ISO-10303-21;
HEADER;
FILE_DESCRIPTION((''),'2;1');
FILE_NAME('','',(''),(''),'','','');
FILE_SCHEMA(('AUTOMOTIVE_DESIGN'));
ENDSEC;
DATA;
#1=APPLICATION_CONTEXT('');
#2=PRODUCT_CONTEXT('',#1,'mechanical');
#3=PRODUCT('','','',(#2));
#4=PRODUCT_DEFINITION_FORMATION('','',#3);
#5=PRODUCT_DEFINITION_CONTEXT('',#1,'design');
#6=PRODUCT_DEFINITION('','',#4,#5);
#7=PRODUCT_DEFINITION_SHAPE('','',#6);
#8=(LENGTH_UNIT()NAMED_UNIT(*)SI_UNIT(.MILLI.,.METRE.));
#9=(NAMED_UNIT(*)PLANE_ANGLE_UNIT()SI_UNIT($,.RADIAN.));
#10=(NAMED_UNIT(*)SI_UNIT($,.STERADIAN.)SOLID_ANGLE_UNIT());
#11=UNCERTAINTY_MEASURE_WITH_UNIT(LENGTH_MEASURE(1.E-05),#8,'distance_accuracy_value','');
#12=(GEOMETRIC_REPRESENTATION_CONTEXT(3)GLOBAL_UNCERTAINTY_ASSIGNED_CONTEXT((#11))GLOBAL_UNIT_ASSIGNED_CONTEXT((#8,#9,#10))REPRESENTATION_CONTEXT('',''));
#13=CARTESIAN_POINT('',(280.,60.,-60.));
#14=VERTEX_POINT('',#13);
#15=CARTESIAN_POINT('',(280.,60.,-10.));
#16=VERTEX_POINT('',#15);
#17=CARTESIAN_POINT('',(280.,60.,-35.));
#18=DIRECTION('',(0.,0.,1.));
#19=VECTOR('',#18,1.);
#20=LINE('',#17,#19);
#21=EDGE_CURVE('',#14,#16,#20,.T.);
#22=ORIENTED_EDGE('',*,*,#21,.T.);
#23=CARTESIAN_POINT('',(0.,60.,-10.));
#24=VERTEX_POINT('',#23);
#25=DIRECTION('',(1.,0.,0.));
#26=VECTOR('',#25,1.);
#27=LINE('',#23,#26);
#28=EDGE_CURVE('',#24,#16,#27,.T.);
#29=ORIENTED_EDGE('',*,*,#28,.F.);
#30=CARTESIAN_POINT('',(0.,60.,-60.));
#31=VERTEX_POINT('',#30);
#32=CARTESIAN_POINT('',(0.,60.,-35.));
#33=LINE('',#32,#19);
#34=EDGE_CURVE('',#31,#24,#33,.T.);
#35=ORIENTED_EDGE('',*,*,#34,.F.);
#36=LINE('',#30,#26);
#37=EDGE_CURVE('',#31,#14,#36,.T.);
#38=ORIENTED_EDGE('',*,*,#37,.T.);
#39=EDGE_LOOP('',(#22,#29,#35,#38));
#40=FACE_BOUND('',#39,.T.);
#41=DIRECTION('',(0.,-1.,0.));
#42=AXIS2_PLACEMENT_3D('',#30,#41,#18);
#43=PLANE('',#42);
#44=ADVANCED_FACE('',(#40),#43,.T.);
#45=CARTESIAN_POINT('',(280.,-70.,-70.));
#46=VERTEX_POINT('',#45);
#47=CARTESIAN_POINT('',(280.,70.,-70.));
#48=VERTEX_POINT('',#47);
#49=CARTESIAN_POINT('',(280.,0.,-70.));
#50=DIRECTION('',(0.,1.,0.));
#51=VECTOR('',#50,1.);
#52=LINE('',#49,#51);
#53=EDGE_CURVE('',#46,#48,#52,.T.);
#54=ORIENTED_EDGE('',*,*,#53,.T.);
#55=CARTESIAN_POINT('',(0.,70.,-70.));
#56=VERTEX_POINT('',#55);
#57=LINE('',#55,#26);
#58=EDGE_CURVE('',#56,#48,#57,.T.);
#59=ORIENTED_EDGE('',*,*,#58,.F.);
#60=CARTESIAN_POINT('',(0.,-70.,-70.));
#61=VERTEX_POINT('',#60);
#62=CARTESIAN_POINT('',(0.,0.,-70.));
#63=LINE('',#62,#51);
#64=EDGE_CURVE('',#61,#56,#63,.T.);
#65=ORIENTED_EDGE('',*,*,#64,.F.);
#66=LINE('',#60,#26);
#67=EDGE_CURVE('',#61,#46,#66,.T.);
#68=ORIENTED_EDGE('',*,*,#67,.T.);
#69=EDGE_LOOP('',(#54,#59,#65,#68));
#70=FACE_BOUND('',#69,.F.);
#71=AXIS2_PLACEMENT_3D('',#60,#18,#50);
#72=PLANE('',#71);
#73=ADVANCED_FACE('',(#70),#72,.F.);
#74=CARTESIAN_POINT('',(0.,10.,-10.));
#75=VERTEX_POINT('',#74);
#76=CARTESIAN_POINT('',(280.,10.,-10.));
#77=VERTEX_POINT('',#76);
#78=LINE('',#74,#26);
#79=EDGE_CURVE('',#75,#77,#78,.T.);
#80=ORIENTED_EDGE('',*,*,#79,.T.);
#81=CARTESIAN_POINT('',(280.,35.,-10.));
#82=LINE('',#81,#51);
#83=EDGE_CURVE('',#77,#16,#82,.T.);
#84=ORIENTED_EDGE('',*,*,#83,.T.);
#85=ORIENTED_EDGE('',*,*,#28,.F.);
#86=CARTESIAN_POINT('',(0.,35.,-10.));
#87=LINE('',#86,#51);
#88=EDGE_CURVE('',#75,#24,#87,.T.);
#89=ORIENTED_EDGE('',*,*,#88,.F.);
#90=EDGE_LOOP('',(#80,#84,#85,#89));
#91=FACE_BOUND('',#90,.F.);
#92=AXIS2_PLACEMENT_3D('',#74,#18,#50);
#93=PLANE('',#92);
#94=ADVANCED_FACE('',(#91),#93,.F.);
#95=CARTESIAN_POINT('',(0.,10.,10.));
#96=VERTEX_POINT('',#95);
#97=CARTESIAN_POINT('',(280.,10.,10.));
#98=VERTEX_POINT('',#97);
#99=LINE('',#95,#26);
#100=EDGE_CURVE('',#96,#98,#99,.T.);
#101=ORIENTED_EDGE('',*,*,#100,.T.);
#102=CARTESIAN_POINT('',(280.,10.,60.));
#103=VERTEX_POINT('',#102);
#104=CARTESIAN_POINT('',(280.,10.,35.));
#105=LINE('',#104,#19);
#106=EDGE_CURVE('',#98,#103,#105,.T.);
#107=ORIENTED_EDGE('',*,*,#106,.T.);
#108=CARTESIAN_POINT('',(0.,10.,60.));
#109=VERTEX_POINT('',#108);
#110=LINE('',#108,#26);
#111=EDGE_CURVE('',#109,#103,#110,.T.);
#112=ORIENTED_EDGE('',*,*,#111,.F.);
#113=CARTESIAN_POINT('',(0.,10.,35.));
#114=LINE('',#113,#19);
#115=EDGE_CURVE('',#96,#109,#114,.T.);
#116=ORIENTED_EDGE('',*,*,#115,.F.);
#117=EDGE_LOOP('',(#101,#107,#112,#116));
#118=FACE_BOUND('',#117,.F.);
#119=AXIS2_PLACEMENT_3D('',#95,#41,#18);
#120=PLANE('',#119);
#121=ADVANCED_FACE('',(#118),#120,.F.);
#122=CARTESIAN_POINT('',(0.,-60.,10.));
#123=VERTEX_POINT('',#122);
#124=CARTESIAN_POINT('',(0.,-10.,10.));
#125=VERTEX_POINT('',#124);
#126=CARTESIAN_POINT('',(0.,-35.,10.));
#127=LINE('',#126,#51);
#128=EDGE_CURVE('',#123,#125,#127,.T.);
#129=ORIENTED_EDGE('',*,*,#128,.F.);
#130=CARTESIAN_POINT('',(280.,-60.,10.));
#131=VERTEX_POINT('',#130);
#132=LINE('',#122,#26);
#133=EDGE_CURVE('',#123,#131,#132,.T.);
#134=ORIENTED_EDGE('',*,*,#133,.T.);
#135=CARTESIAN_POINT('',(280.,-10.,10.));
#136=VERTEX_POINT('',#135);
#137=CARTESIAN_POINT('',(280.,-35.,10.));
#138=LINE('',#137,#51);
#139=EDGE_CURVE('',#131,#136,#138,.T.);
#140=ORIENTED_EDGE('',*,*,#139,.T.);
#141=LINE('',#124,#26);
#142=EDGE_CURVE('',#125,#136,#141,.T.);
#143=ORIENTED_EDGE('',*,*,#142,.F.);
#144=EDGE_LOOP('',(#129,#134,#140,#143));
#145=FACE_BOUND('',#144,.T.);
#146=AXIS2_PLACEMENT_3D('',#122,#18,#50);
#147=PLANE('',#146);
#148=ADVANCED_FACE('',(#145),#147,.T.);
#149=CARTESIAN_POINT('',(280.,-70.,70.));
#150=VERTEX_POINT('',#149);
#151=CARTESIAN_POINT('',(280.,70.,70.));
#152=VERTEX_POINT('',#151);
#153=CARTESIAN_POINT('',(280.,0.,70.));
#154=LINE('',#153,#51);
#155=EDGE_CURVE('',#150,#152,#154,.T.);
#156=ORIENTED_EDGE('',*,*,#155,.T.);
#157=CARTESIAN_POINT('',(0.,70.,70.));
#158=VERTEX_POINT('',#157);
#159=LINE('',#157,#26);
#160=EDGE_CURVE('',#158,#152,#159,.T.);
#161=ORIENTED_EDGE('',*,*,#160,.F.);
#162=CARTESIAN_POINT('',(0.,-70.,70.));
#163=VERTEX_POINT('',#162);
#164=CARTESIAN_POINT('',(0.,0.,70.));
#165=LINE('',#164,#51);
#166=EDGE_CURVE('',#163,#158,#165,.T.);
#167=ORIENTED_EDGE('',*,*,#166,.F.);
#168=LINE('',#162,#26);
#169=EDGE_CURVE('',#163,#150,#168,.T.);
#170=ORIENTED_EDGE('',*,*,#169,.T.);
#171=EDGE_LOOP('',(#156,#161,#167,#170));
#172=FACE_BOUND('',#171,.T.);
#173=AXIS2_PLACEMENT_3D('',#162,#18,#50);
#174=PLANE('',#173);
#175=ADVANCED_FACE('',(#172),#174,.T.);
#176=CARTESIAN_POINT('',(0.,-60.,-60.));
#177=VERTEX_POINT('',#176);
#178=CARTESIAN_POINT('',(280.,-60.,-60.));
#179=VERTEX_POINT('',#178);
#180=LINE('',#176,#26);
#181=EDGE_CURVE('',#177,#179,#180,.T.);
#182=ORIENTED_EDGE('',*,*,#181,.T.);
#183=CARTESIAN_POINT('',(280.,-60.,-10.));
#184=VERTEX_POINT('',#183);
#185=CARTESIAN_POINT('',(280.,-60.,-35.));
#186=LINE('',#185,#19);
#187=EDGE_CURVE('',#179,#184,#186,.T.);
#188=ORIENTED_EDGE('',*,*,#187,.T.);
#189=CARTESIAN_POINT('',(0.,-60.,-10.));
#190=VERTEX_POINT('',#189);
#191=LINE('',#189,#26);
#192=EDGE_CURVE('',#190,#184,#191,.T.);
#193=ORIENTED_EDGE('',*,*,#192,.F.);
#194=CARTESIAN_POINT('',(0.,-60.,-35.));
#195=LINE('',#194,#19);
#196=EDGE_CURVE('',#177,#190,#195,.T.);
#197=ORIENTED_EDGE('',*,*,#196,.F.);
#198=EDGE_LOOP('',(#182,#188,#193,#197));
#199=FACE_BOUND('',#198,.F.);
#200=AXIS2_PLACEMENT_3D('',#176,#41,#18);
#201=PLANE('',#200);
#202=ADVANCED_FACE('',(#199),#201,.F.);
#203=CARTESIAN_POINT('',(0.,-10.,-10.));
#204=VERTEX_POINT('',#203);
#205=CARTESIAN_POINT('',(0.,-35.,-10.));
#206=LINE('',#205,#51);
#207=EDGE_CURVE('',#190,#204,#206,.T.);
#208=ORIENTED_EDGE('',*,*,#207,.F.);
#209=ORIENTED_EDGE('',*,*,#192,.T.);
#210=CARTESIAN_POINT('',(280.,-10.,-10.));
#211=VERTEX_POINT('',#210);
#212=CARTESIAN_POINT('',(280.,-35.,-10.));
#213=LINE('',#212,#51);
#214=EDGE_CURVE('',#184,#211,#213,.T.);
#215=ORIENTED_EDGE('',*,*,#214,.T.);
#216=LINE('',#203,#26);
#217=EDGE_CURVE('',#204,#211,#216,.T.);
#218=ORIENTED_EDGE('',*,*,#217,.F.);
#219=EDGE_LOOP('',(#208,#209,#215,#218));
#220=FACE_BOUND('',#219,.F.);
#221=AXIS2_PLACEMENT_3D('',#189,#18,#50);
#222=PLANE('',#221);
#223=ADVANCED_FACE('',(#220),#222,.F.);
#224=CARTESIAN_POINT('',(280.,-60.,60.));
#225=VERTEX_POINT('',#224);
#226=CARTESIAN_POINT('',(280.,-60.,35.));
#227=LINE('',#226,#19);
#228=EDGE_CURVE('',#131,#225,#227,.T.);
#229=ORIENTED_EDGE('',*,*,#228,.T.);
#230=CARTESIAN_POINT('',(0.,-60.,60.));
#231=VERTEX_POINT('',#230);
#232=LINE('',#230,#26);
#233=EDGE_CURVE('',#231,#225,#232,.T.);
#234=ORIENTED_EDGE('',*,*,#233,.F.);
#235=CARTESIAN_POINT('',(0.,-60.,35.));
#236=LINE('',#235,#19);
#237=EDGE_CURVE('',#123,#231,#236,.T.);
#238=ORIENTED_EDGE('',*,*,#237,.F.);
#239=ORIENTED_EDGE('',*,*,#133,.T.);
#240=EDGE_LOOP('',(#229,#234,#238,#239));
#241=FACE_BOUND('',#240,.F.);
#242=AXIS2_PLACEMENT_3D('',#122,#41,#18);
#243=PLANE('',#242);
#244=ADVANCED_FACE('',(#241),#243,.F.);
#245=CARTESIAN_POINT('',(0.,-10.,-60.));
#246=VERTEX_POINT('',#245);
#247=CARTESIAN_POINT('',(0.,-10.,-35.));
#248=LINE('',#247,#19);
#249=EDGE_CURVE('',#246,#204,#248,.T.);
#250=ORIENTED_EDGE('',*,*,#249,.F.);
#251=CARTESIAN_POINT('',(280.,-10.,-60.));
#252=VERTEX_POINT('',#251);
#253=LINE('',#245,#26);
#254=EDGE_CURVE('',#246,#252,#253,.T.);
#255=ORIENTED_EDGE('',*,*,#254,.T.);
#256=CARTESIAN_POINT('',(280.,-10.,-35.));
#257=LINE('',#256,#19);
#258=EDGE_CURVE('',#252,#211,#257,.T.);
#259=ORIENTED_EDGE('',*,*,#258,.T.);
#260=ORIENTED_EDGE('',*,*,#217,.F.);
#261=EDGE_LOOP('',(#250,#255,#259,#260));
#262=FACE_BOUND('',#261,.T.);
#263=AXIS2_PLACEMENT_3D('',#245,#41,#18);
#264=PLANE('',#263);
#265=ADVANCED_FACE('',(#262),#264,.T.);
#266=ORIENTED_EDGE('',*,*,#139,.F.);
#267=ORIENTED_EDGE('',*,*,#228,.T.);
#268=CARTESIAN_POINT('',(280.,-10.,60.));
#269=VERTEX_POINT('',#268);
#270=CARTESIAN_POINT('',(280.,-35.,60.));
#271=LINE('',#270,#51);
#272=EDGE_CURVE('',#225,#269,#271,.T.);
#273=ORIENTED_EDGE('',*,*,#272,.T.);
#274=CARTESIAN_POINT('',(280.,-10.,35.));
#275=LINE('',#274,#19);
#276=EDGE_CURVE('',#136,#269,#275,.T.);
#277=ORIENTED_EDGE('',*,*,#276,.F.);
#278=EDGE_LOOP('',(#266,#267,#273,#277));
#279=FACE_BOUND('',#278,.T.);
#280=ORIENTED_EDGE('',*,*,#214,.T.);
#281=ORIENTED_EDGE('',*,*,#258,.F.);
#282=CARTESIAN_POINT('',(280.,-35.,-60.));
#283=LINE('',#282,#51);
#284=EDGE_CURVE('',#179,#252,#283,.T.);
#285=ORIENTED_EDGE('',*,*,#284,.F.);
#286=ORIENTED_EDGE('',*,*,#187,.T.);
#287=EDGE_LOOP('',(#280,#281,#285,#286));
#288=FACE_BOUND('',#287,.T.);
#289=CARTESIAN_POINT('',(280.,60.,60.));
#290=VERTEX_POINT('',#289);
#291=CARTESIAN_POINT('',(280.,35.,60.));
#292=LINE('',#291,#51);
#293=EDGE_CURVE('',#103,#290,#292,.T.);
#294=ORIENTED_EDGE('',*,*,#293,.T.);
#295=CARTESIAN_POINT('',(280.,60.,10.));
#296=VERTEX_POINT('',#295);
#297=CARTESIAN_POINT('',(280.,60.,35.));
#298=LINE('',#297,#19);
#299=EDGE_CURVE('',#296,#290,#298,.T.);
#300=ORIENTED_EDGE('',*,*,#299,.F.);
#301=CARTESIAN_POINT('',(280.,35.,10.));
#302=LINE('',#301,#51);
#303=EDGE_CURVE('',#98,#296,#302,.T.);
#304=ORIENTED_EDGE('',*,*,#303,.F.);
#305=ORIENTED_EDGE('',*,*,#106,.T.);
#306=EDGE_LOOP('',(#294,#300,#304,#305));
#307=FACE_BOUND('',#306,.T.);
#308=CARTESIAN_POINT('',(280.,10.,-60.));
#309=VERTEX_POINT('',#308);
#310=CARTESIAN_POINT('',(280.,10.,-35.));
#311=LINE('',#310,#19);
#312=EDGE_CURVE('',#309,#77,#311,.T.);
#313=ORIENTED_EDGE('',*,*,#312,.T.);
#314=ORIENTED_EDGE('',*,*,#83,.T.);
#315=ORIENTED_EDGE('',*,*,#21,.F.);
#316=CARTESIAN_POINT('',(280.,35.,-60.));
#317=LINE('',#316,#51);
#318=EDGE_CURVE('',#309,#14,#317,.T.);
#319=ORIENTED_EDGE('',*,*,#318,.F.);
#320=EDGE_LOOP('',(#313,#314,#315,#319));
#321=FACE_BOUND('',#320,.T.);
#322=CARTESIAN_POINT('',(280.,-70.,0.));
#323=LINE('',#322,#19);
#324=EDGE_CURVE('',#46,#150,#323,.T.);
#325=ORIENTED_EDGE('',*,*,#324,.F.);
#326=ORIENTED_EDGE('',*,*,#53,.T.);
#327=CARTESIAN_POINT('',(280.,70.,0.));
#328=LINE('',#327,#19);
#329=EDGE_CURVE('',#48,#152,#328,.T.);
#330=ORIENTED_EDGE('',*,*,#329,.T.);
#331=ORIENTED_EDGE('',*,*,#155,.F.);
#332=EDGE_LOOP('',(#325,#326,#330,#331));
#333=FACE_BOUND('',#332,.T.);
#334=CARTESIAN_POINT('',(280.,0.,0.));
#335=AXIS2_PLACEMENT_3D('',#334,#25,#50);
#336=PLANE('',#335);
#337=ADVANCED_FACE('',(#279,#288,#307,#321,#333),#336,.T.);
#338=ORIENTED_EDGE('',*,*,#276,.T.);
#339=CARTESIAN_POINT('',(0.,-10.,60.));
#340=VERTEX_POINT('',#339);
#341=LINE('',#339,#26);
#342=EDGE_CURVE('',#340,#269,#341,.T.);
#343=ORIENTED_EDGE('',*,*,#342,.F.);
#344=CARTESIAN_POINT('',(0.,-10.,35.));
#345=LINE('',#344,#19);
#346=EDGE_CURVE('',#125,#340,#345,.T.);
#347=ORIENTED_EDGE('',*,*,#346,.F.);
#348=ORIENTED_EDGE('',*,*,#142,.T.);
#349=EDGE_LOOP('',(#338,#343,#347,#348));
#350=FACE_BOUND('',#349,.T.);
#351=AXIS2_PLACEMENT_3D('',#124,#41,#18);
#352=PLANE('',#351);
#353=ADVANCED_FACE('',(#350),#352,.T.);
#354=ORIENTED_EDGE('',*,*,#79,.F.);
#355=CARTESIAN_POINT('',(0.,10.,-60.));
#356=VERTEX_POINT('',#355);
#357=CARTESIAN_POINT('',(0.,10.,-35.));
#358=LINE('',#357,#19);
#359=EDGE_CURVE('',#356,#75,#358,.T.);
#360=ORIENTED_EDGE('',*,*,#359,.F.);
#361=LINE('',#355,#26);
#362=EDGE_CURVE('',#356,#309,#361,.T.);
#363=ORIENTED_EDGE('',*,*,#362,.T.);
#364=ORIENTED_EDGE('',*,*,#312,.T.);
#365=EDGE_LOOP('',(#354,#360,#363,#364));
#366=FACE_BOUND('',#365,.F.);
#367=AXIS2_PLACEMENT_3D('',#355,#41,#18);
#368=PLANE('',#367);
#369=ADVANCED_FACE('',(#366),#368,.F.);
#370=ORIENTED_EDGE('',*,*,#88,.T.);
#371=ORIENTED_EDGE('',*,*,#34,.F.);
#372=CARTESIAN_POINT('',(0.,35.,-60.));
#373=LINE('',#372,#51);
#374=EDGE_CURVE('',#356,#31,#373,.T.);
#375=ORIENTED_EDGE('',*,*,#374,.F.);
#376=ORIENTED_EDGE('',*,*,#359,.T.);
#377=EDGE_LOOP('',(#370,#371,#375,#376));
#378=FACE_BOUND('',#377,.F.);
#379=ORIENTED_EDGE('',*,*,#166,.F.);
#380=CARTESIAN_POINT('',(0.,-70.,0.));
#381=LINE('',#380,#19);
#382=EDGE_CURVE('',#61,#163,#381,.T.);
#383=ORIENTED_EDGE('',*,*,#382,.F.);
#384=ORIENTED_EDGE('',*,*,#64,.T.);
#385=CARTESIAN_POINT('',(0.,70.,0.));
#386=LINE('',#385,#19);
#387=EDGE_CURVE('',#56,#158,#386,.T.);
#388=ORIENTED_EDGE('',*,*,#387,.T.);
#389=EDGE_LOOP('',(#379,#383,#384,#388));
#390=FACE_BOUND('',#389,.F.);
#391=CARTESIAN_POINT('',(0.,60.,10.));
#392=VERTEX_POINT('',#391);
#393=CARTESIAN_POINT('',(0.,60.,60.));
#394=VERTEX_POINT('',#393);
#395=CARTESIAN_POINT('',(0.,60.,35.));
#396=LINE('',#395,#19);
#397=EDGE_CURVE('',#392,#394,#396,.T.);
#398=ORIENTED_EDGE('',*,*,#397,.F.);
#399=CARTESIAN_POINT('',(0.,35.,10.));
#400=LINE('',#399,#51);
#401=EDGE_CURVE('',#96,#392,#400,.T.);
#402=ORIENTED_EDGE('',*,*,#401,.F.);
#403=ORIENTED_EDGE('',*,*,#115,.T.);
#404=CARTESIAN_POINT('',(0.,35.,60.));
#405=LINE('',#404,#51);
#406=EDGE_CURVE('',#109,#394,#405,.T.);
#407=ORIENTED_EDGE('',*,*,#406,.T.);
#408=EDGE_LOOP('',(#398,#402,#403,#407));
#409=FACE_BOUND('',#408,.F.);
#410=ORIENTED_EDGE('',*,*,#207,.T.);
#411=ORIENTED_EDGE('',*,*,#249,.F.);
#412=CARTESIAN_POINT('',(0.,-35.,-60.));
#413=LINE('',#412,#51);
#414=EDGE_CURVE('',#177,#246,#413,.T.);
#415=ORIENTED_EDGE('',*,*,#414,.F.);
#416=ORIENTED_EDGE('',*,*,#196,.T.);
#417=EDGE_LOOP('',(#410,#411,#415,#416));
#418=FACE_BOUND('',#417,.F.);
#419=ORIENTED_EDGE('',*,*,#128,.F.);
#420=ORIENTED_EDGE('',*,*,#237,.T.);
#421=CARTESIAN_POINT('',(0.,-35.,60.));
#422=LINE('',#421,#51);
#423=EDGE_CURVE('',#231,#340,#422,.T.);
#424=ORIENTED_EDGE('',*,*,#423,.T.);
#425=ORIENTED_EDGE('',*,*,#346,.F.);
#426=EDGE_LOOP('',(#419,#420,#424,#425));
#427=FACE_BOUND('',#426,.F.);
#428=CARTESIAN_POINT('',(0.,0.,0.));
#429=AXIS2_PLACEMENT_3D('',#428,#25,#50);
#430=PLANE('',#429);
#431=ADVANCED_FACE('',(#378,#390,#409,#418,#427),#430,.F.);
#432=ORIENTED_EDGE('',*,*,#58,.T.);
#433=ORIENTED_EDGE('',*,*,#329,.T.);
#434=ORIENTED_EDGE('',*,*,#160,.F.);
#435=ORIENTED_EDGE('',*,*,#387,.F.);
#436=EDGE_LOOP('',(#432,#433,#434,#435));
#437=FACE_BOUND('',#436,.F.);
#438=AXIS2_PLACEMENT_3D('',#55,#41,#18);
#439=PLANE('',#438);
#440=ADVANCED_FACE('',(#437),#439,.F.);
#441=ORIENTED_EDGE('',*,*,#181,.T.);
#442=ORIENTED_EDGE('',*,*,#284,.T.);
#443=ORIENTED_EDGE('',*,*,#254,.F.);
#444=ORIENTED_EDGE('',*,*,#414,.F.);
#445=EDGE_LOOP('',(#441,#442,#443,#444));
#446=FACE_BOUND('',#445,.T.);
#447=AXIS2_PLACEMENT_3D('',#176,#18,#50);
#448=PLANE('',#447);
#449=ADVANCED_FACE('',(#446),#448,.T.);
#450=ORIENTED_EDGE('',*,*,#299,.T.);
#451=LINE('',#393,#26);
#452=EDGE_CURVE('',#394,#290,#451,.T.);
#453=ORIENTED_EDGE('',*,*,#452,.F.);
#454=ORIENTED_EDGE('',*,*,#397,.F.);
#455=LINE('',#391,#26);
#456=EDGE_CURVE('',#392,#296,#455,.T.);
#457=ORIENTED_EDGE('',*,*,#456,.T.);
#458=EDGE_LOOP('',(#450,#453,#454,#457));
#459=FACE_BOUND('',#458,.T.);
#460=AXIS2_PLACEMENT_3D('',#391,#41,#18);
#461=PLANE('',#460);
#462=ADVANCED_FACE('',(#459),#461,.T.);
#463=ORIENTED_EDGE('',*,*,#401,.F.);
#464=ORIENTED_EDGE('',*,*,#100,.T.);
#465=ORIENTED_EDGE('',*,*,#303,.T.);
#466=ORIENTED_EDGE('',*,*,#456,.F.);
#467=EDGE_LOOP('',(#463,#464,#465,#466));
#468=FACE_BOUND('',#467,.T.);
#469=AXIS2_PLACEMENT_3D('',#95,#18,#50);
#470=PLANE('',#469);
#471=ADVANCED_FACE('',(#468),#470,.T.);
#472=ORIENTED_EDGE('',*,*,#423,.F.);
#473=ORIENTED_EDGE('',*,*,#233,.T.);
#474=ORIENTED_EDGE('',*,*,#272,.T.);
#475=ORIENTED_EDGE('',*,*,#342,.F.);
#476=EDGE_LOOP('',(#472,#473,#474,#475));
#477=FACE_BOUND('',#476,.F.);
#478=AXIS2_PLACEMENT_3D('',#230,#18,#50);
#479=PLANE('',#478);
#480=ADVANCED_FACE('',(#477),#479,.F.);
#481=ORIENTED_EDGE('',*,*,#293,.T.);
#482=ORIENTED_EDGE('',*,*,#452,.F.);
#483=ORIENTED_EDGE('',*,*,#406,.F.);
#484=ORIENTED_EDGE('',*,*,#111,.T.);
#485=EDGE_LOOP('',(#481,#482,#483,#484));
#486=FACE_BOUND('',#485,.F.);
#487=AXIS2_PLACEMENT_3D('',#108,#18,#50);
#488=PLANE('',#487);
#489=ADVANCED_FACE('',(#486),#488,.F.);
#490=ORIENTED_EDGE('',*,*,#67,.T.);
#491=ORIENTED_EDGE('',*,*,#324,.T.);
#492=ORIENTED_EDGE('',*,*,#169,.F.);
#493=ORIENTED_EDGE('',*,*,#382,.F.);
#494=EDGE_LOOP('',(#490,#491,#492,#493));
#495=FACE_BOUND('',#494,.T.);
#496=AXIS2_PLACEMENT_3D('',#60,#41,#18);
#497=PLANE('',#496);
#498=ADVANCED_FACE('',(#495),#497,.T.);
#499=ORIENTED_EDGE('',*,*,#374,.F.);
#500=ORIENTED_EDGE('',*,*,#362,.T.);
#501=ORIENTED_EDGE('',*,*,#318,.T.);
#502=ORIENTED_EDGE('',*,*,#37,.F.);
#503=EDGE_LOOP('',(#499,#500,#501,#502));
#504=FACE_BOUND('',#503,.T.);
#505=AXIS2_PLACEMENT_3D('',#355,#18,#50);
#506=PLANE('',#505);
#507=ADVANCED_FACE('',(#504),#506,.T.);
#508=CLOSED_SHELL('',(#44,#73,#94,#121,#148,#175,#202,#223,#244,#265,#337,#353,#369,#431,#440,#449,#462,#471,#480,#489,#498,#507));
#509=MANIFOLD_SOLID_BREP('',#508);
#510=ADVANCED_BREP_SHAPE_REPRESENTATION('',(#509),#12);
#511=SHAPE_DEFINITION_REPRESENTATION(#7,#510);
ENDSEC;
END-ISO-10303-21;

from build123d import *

# Parameters (mm, degrees)
SKETCH_W   = 140
SKETCH_H   = 140
SKETCH_W_2 = 50
SKETCH_H_2 = 50
PAD_DEPTH  = 280


with BuildPart() as part:
    # Sketch → Pad (new body)
    with BuildSketch(Plane.YZ):
        Rectangle(SKETCH_W, SKETCH_H)
        with Locations((35, 35)):
            Rectangle(SKETCH_W_2, SKETCH_H_2, mode=Mode.SUBTRACT)
        with Locations((-35, 35)):
            Rectangle(SKETCH_W_2, SKETCH_H_2, mode=Mode.SUBTRACT)
        with Locations((-35, -35)):
            Rectangle(SKETCH_W_2, SKETCH_H_2, mode=Mode.SUBTRACT)
        with Locations((35, -35)):
            Rectangle(SKETCH_W_2, SKETCH_H_2, mode=Mode.SUBTRACT)
    extrude(amount=PAD_DEPTH)


solid = part.part
